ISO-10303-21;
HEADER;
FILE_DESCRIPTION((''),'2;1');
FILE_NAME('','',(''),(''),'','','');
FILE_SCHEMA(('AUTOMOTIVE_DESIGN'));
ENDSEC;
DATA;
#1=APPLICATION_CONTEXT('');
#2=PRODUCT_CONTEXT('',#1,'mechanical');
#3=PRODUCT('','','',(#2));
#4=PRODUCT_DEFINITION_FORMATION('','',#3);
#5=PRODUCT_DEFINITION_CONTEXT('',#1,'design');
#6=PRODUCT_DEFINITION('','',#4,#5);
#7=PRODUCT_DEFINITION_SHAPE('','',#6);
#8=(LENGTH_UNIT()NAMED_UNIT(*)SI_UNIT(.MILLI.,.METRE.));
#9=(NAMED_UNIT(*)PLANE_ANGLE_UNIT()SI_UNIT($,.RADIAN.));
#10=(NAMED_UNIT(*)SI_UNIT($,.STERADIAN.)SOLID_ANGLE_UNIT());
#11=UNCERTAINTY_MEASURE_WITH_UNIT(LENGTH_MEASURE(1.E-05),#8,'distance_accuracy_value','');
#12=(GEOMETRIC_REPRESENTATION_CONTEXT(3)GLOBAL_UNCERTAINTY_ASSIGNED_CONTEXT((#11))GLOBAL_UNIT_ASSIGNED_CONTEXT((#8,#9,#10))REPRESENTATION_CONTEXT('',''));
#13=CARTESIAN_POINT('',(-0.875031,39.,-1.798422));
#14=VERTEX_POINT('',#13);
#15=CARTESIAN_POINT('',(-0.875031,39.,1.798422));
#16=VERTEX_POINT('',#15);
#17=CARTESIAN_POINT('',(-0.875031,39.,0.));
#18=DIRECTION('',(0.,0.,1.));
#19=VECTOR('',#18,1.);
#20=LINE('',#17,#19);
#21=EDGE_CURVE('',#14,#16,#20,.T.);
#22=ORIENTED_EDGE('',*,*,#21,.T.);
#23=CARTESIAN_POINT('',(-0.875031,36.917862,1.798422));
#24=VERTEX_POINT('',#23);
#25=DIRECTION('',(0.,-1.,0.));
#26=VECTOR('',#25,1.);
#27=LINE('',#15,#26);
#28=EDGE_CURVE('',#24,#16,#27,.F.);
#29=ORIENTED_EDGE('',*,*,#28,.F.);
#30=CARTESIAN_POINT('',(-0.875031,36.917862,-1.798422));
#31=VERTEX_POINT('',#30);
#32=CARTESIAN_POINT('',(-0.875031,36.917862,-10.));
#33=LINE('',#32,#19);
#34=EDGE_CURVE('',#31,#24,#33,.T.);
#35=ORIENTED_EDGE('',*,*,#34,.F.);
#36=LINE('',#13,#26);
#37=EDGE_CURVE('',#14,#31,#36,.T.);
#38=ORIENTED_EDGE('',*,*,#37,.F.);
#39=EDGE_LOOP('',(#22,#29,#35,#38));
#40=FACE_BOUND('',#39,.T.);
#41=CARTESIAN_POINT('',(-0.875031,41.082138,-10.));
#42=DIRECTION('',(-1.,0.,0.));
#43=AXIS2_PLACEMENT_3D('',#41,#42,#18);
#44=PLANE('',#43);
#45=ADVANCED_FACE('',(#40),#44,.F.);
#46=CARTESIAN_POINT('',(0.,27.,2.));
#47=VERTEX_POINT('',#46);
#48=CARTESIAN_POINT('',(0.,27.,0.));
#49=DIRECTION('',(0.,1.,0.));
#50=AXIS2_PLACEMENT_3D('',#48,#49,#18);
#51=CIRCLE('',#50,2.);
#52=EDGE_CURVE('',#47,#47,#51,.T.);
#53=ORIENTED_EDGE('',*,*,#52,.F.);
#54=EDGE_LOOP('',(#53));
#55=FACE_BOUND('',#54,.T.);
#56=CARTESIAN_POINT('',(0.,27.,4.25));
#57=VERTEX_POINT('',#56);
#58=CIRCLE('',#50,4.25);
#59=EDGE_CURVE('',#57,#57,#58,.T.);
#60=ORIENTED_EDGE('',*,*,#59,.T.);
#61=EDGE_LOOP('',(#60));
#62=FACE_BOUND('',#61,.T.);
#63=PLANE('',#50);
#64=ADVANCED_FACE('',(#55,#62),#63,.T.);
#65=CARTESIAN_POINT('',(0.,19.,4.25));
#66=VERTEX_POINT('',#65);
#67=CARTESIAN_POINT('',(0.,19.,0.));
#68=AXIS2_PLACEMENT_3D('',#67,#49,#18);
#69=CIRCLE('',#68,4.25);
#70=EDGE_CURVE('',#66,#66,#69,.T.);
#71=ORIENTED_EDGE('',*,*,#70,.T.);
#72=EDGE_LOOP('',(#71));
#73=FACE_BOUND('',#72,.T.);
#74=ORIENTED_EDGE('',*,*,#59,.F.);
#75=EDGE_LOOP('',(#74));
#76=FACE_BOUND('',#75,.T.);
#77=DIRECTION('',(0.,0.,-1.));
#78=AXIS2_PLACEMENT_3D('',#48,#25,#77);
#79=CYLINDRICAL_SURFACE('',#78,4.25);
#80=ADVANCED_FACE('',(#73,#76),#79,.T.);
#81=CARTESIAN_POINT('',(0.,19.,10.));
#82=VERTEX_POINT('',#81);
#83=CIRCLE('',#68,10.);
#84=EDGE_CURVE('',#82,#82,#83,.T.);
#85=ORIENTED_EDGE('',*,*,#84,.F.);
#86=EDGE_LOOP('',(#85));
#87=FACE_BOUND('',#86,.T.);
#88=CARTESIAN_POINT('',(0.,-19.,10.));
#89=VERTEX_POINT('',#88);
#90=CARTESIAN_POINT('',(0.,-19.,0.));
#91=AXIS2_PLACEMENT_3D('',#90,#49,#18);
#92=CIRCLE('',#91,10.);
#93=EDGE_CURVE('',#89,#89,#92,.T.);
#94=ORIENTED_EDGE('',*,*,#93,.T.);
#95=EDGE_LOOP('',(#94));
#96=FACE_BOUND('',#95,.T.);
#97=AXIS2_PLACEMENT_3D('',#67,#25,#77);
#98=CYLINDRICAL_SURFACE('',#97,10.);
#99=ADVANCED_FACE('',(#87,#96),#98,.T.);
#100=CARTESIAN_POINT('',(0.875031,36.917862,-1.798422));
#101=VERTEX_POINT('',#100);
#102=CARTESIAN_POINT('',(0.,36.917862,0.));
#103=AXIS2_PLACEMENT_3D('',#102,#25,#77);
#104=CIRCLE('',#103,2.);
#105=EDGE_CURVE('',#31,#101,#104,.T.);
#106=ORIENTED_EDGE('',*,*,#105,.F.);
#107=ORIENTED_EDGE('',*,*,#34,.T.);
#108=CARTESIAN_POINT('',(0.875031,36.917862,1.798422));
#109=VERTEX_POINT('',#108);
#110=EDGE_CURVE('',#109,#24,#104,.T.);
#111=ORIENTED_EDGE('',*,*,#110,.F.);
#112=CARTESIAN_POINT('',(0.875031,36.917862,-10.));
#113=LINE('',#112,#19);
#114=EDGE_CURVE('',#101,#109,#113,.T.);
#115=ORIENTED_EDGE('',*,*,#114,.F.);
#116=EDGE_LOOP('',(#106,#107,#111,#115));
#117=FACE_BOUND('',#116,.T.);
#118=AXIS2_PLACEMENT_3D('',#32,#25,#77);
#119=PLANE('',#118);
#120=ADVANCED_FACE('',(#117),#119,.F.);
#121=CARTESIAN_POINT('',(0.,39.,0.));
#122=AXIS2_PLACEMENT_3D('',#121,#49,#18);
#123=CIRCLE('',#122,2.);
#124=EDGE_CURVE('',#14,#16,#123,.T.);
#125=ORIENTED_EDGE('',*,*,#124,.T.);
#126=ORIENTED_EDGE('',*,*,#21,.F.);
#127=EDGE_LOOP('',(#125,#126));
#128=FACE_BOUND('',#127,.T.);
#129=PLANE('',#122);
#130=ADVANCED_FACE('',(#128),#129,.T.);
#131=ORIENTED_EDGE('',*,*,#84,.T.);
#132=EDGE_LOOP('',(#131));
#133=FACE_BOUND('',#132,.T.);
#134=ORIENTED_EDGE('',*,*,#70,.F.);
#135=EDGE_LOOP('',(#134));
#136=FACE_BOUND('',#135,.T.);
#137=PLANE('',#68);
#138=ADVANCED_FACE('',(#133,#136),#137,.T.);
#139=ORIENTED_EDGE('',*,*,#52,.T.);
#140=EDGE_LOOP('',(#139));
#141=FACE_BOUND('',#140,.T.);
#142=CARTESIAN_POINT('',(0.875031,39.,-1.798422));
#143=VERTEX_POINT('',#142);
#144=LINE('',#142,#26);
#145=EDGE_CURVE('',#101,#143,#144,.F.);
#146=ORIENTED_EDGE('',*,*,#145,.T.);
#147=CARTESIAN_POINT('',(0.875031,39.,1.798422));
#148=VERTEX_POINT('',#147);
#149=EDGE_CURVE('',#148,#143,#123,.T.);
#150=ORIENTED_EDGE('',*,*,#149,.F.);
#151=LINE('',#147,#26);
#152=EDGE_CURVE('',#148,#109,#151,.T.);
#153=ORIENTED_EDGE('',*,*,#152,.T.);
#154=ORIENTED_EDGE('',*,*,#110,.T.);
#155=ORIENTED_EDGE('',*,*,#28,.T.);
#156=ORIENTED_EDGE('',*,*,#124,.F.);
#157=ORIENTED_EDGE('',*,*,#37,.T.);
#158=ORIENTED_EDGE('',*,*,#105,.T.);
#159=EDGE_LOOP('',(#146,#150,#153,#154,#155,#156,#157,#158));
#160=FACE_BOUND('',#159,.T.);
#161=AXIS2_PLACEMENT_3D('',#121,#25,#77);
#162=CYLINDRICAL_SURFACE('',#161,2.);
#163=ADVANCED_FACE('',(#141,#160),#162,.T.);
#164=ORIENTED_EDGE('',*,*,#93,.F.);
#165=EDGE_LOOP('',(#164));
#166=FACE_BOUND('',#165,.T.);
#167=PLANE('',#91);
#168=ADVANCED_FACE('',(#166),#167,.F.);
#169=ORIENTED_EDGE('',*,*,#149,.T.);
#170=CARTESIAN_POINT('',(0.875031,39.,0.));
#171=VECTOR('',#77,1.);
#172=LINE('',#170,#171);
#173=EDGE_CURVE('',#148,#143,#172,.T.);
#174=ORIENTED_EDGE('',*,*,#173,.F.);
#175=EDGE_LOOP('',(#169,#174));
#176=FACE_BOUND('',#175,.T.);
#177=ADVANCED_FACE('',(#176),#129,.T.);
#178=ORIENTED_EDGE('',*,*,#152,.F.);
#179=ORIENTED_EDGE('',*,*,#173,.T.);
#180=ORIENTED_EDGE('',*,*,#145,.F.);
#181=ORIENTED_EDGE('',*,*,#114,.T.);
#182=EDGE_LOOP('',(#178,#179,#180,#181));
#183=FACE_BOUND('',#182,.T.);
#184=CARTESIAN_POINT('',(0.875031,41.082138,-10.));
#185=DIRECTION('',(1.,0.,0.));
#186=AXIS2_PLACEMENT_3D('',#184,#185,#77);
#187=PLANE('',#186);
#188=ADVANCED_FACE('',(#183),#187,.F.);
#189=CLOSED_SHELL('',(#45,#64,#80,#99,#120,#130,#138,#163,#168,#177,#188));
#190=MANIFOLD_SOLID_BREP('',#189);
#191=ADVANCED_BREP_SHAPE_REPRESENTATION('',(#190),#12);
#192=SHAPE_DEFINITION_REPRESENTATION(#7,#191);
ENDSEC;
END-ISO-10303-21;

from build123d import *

# Parameters (mm, degrees)
SKETCH1_R               = 10
BOSS_EXTRUDE1_DEPTH     = 19
SKETCH2_R               = 4.25
BOSS_EXTRUDE2_DEPTH     = 8
SKETCH3_R               = 2
BOSS_EXTRUDE3_DEPTH     = 12
SKETCH4_W               = 1.75006174
SKETCH4_H               = 4.164275762
CUT_EXTRUDE1_DEPTH      = 11
CUT_EXTRUDE1_DEPTH_BACK = 11


with BuildPart() as part:
    # Sketch1 → Boss-Extrude1 (new body, symmetric)
    with BuildSketch(Plane(origin=(0, 0, 0), x_dir=(1, 0, 0), z_dir=(0, 1, 0))):
        Circle(SKETCH1_R)
    extrude(amount=BOSS_EXTRUDE1_DEPTH, both=True)

    # Sketch2 → Boss-Extrude2 (add)
    with BuildSketch(Plane(origin=(0, 19, 0), x_dir=(1, 0, 0), z_dir=(0, 1, 0))):
        Circle(SKETCH2_R)
    extrude(amount=BOSS_EXTRUDE2_DEPTH)

    # Sketch3 → Boss-Extrude3 (add)
    with BuildSketch(Plane(origin=(0, 27, 0), x_dir=(1, 0, 0), z_dir=(0, 1, 0))):
        Circle(SKETCH3_R)
    extrude(amount=BOSS_EXTRUDE3_DEPTH)

    # Sketch4 → Cut-Extrude1 (cut, two sides)
    with BuildSketch(Plane.XY) as cut_extrude1_sk:
        with Locations((0, 39)):
            Rectangle(SKETCH4_W, SKETCH4_H)
    extrude(amount=CUT_EXTRUDE1_DEPTH, mode=Mode.SUBTRACT)
    extrude(cut_extrude1_sk.sketch, amount=-CUT_EXTRUDE1_DEPTH_BACK, mode=Mode.SUBTRACT)


solid = part.part
